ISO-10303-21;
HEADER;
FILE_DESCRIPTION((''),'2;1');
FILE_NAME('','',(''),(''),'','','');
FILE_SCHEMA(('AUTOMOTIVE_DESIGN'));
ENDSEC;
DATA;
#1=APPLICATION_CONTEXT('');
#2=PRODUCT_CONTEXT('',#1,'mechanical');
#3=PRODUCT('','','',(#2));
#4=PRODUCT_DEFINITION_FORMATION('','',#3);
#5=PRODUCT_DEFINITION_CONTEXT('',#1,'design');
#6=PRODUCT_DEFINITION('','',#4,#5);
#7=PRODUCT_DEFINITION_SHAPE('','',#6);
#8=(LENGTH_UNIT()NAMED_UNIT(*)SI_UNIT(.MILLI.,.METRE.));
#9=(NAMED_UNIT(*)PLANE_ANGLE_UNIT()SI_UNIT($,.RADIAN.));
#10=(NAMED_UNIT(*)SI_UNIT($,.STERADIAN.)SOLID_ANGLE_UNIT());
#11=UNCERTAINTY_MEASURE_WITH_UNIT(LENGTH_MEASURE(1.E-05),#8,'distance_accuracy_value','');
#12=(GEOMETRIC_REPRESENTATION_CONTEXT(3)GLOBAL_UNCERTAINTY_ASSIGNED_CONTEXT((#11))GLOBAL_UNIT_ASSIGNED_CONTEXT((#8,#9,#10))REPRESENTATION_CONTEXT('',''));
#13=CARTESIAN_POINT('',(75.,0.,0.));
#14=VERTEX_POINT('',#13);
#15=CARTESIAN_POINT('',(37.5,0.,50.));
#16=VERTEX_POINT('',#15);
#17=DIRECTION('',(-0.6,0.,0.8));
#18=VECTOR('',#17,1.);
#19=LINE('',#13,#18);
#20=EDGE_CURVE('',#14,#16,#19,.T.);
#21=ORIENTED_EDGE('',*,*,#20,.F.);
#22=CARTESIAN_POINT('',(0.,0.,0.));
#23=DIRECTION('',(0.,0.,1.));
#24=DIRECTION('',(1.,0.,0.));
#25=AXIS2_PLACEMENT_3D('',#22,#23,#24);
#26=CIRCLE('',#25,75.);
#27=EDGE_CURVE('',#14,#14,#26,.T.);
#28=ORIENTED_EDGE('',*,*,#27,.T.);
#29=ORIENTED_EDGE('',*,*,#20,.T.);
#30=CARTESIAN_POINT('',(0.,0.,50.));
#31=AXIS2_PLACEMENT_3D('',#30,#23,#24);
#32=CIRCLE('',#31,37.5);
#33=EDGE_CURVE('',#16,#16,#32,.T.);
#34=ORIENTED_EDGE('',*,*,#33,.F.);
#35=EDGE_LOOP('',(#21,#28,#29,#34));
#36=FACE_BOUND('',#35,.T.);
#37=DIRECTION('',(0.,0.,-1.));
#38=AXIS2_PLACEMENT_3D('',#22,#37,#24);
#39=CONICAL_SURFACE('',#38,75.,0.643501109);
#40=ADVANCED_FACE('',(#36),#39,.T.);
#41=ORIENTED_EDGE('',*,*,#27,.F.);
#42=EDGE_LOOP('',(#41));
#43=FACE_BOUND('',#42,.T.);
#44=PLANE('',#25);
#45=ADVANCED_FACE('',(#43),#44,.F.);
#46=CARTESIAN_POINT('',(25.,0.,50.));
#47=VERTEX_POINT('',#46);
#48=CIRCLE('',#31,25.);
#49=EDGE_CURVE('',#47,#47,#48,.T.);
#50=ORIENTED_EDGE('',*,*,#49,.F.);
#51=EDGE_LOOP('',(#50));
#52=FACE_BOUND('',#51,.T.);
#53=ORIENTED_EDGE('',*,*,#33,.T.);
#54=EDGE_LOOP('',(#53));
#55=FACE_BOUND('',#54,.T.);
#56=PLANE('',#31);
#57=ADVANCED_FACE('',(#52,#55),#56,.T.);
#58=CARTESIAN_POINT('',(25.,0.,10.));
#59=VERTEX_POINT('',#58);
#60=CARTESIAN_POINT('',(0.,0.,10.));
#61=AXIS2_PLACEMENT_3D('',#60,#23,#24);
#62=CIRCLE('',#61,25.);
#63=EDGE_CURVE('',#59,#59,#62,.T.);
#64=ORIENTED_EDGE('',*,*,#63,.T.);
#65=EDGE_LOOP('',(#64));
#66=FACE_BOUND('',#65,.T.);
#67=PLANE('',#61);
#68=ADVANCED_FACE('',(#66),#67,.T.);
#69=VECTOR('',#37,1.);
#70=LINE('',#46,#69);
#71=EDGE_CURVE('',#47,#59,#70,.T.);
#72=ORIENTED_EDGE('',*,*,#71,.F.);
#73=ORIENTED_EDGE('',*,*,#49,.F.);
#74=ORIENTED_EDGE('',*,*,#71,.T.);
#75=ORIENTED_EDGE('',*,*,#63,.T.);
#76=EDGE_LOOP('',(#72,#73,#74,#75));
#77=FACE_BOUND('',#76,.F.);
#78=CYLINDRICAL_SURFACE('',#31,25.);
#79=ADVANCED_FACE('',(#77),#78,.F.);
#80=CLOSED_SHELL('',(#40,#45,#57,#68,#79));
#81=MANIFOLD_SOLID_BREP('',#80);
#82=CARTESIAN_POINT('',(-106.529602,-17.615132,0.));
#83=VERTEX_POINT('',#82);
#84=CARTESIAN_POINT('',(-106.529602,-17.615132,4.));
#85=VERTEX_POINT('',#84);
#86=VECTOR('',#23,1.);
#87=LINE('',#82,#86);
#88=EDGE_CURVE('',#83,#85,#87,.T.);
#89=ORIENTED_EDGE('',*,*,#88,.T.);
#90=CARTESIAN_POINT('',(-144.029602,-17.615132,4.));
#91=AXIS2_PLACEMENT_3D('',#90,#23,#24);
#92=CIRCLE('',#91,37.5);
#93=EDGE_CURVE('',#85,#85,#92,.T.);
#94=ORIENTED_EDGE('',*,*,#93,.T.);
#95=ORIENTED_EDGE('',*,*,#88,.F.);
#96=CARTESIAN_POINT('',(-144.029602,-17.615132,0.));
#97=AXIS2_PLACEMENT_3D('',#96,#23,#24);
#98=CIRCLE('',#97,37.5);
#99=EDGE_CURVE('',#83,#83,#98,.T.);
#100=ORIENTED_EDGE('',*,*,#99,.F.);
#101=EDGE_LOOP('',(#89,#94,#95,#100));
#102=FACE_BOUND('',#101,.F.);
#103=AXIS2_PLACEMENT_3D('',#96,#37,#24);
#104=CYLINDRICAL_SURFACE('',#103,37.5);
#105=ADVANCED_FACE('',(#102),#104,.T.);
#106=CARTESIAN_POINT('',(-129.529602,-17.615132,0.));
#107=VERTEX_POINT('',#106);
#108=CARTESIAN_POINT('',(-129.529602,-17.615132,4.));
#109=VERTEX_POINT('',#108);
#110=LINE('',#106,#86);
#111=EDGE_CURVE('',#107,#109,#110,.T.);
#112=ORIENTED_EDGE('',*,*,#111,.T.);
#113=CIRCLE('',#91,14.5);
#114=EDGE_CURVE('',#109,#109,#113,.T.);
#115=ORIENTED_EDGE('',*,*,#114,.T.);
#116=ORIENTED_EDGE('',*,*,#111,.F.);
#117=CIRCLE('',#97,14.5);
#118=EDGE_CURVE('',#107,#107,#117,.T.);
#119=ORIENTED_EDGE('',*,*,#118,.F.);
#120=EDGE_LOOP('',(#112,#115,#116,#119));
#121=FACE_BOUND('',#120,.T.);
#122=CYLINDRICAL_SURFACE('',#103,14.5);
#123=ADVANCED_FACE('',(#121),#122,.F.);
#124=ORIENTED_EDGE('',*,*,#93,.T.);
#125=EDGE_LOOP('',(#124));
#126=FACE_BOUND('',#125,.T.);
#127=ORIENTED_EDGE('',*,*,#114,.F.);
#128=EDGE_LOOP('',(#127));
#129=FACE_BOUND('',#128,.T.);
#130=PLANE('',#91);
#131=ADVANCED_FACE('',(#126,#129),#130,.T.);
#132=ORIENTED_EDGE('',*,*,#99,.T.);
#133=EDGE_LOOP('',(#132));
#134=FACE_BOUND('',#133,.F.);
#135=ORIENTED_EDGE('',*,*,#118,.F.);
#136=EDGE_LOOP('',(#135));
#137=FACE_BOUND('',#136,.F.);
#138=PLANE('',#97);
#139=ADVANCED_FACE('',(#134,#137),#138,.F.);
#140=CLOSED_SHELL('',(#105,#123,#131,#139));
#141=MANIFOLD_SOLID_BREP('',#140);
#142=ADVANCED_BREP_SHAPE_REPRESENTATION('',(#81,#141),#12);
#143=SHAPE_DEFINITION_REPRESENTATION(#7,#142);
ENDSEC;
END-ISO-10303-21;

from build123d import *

# Parameters (mm, degrees)
F2_R     = 25
F3_DEPTH = 40
F4_R     = 37.5
F4_R_2   = 14.5
F5_DEPTH = 4


with BuildPart() as f1:
    # F0 (on Front) → F1 (revolve)
    with BuildSketch(Plane.XZ):
        Polygon((0, 50), (0, 0), (75, 0), (37.5, 50), align=None)
    revolve(axis=Axis((0, 0, 25), (0, 0, 1)))

    # F2 (on face) → F3 (cut)
    with BuildSketch(Plane.XY.offset(50)):
        Circle(F2_R)
    extrude(amount=-F3_DEPTH, mode=Mode.SUBTRACT)


with BuildPart() as f5:
    # F4 (on Top) → F5 (new body)
    with BuildSketch(Plane.XY):
        with Locations((-144.029602, -17.615132)):
            Circle(F4_R)
        with Locations((-144.029602, -17.615132)):
            Circle(F4_R_2, mode=Mode.SUBTRACT)
    extrude(amount=F5_DEPTH)


solid = Compound([f1.part, f5.part])
